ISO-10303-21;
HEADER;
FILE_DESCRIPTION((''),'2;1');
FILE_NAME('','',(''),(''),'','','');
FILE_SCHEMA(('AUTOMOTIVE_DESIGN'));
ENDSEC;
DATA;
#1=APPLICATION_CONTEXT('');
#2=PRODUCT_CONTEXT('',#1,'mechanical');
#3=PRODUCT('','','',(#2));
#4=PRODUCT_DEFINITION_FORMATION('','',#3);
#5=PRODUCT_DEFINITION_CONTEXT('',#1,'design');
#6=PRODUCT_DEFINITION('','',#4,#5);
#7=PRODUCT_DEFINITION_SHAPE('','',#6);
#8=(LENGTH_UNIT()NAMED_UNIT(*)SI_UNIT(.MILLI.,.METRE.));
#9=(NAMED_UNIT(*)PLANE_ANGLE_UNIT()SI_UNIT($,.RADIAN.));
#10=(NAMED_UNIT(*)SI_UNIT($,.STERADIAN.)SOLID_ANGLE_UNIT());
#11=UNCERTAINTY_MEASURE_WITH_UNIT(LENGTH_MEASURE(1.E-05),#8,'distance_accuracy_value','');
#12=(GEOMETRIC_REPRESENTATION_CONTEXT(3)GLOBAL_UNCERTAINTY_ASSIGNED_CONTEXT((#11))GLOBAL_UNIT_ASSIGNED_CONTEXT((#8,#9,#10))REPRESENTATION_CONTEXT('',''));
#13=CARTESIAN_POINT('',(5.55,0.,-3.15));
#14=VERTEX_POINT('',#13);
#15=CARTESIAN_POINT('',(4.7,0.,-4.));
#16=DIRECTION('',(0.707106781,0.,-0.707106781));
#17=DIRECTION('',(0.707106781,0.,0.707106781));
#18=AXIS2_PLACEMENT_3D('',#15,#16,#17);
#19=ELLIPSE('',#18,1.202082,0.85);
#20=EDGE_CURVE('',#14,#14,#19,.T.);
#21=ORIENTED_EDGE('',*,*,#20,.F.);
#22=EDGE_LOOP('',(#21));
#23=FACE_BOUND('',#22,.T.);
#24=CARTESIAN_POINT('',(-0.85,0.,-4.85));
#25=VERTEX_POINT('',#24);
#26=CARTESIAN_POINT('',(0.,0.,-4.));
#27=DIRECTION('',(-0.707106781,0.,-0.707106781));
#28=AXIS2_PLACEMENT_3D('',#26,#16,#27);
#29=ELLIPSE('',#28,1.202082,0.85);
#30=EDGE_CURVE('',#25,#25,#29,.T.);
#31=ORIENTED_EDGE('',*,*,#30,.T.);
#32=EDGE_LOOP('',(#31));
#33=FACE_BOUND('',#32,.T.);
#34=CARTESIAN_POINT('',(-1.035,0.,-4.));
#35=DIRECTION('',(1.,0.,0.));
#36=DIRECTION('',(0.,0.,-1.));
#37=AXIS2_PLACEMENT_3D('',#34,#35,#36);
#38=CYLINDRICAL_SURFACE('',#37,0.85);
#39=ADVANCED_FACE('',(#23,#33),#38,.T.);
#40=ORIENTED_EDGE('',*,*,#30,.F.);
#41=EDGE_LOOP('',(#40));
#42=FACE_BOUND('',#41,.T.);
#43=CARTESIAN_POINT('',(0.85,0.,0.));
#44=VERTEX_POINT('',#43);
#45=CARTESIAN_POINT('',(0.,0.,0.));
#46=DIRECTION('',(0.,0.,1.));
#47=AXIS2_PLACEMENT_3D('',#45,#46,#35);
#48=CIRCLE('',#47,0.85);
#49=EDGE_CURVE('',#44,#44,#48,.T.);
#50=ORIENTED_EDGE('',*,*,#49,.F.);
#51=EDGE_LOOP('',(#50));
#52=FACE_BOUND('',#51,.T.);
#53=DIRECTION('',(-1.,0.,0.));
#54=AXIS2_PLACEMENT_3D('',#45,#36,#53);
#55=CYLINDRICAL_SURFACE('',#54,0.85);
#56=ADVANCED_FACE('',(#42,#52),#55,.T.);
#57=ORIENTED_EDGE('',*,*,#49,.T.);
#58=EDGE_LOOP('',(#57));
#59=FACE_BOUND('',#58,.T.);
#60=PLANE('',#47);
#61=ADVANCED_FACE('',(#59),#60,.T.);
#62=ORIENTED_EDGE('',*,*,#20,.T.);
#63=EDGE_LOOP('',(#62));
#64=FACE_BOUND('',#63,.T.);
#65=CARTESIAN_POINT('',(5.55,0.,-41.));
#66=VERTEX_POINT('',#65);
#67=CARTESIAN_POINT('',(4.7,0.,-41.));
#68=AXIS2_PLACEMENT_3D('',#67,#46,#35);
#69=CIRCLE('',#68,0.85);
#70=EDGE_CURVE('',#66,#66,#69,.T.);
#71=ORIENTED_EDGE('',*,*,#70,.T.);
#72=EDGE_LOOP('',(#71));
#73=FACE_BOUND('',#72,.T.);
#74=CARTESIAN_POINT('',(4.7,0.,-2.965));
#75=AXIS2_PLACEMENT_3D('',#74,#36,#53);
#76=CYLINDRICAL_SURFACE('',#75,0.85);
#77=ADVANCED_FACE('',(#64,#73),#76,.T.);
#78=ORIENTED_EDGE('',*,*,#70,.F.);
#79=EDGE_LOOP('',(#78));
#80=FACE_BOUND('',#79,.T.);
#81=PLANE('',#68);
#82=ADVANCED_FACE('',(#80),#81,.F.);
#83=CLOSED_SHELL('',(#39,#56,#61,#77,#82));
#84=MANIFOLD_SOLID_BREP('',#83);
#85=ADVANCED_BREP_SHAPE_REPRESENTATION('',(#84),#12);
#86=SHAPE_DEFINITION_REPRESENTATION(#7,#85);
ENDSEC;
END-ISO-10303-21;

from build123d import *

# Parameters (mm, degrees)
SKETCH1_R = 0.85


with BuildPart() as part:
    # Sweep1: sweep along a path in Sketch2
    with BuildLine(Plane(origin=(0, 0, 0), x_dir=(1, 0, 0), z_dir=(0, 1, 0))) as sweep1_path:
        Line((0, 0), (0, 4))
        Line((0, 4), (4.7, 4))
        Line((4.7, 4), (4.7, 41))
    # Sketch1 → Sweep1 (sweep)
    with BuildSketch(Plane.XY):
        Circle(SKETCH1_R)
    sweep(path=sweep1_path.line, transition=Transition.RIGHT)


solid = part.part
